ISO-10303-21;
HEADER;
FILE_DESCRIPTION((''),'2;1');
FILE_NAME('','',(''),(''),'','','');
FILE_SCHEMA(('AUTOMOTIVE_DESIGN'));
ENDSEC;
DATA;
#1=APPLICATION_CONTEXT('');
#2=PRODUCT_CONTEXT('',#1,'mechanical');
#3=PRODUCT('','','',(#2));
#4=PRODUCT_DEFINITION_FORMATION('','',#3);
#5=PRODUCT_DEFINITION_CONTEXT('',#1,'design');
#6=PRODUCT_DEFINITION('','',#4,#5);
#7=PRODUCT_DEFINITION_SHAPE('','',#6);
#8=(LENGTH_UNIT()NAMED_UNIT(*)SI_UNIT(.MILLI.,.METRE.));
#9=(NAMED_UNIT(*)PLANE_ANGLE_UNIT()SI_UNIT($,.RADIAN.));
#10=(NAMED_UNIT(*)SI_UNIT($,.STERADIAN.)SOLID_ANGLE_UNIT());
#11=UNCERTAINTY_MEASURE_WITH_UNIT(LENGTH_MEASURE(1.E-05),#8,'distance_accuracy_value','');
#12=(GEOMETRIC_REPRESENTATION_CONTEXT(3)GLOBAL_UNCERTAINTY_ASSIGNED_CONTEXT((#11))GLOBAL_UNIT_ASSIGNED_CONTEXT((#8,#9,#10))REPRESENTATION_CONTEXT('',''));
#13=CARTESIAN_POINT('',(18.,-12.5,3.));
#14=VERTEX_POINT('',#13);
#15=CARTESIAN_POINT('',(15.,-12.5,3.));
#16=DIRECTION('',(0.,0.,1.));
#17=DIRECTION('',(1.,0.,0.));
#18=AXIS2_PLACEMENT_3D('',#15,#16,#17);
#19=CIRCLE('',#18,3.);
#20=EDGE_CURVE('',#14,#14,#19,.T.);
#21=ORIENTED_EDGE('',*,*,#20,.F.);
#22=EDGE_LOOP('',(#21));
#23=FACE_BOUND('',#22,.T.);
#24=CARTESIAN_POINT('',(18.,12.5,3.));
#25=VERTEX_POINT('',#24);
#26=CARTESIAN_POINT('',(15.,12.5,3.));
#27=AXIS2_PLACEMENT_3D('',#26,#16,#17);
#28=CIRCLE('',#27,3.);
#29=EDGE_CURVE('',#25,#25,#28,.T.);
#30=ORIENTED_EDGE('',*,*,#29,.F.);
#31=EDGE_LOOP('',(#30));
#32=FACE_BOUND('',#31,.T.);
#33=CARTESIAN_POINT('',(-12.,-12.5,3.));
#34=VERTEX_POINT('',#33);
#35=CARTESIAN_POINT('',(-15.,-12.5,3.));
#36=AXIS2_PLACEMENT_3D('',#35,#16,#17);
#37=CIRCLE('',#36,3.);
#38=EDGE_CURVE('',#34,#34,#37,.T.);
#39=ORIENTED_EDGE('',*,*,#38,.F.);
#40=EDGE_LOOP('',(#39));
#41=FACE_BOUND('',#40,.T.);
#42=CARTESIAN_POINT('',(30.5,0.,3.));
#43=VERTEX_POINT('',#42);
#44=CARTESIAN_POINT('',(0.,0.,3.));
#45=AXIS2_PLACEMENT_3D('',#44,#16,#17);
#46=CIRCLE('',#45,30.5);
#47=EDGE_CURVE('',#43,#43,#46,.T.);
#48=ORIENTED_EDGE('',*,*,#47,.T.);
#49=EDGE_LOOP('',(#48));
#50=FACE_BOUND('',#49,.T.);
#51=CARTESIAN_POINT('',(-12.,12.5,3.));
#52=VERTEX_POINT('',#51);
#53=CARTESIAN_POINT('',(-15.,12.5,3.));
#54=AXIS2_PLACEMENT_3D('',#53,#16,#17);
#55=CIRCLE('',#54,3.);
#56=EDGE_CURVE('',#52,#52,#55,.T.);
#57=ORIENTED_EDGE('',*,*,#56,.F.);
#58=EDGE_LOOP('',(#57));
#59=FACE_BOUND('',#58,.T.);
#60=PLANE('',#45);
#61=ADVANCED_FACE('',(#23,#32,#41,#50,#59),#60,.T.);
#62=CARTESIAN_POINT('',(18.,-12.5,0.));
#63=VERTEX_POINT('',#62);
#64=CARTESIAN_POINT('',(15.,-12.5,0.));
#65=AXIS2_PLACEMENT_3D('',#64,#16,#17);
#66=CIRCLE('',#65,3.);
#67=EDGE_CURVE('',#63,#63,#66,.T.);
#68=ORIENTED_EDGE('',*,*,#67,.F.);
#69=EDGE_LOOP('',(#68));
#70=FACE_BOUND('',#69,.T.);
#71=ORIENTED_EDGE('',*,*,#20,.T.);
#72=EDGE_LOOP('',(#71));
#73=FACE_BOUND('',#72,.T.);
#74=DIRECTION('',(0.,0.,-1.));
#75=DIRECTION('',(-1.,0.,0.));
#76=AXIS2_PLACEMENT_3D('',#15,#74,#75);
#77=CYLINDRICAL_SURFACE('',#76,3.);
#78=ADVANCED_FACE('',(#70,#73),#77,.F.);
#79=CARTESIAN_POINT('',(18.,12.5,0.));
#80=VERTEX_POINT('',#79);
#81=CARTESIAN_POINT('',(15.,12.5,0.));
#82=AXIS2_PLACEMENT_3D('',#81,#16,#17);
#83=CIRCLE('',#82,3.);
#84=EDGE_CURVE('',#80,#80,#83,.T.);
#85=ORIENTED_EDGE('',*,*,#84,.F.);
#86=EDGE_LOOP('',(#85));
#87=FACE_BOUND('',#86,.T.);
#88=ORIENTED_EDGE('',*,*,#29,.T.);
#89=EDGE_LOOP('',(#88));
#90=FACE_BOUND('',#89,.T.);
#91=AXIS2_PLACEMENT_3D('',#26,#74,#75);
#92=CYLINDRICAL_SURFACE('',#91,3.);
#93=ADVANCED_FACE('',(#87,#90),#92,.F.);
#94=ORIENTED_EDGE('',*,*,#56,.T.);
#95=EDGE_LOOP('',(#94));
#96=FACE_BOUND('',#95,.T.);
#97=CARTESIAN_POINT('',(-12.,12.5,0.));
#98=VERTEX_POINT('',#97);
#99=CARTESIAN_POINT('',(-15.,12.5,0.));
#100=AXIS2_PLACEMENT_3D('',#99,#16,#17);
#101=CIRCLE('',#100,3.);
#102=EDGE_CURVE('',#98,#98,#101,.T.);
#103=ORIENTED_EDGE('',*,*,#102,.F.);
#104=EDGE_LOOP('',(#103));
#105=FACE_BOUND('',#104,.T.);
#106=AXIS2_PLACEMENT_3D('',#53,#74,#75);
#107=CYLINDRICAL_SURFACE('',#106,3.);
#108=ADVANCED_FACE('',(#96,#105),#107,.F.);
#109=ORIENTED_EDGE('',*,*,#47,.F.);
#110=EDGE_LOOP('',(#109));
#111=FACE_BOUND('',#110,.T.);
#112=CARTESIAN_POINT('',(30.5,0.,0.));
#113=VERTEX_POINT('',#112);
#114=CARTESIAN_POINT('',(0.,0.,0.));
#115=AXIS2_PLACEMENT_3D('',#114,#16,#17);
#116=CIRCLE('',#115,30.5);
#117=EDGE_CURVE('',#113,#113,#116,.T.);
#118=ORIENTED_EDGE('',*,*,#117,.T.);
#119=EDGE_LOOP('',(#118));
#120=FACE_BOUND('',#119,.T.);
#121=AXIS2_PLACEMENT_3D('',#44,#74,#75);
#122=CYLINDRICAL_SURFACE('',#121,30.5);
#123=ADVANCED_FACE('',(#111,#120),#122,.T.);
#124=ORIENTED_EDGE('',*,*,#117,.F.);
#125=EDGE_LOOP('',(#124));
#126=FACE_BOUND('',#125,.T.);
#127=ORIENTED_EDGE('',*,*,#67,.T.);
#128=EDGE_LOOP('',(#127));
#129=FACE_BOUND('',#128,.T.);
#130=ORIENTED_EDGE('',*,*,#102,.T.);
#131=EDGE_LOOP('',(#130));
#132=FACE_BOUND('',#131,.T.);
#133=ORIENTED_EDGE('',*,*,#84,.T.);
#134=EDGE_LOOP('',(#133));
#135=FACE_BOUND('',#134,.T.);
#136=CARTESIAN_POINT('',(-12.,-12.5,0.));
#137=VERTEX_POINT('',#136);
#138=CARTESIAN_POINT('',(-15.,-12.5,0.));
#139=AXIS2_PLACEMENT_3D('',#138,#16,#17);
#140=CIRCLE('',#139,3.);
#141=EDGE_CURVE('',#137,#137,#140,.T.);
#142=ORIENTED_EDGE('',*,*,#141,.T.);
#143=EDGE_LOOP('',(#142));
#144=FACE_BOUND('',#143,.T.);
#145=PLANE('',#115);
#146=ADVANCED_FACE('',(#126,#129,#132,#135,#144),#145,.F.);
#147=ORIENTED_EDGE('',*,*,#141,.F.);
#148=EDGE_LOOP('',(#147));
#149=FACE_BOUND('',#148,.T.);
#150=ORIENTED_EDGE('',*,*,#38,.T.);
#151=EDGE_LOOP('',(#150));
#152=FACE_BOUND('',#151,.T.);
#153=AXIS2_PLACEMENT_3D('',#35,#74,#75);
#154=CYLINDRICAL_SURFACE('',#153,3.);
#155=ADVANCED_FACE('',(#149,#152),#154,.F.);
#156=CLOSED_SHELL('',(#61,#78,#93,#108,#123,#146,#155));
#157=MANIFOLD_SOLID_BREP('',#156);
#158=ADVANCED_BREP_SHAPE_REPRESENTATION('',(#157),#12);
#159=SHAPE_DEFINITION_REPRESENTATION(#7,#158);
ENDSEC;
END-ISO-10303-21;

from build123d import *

# Parameters (mm, degrees)
MODEL_R             = 30.5
MODEL_R_2           = 3
BOSS_EXTRUDE1_DEPTH = 3


with BuildPart() as part:
    # Model → Boss-Extrude1 (new body)
    with BuildSketch(Plane.XY):
        Circle(MODEL_R)
        with Locations((15, 12.5)):
            Circle(MODEL_R_2, mode=Mode.SUBTRACT)
        with Locations((15, -12.5)):
            Circle(MODEL_R_2, mode=Mode.SUBTRACT)
        with Locations((-15, -12.5)):
            Circle(MODEL_R_2, mode=Mode.SUBTRACT)
        with Locations((-15, 12.5)):
            Circle(MODEL_R_2, mode=Mode.SUBTRACT)
    extrude(amount=BOSS_EXTRUDE1_DEPTH)


solid = part.part
